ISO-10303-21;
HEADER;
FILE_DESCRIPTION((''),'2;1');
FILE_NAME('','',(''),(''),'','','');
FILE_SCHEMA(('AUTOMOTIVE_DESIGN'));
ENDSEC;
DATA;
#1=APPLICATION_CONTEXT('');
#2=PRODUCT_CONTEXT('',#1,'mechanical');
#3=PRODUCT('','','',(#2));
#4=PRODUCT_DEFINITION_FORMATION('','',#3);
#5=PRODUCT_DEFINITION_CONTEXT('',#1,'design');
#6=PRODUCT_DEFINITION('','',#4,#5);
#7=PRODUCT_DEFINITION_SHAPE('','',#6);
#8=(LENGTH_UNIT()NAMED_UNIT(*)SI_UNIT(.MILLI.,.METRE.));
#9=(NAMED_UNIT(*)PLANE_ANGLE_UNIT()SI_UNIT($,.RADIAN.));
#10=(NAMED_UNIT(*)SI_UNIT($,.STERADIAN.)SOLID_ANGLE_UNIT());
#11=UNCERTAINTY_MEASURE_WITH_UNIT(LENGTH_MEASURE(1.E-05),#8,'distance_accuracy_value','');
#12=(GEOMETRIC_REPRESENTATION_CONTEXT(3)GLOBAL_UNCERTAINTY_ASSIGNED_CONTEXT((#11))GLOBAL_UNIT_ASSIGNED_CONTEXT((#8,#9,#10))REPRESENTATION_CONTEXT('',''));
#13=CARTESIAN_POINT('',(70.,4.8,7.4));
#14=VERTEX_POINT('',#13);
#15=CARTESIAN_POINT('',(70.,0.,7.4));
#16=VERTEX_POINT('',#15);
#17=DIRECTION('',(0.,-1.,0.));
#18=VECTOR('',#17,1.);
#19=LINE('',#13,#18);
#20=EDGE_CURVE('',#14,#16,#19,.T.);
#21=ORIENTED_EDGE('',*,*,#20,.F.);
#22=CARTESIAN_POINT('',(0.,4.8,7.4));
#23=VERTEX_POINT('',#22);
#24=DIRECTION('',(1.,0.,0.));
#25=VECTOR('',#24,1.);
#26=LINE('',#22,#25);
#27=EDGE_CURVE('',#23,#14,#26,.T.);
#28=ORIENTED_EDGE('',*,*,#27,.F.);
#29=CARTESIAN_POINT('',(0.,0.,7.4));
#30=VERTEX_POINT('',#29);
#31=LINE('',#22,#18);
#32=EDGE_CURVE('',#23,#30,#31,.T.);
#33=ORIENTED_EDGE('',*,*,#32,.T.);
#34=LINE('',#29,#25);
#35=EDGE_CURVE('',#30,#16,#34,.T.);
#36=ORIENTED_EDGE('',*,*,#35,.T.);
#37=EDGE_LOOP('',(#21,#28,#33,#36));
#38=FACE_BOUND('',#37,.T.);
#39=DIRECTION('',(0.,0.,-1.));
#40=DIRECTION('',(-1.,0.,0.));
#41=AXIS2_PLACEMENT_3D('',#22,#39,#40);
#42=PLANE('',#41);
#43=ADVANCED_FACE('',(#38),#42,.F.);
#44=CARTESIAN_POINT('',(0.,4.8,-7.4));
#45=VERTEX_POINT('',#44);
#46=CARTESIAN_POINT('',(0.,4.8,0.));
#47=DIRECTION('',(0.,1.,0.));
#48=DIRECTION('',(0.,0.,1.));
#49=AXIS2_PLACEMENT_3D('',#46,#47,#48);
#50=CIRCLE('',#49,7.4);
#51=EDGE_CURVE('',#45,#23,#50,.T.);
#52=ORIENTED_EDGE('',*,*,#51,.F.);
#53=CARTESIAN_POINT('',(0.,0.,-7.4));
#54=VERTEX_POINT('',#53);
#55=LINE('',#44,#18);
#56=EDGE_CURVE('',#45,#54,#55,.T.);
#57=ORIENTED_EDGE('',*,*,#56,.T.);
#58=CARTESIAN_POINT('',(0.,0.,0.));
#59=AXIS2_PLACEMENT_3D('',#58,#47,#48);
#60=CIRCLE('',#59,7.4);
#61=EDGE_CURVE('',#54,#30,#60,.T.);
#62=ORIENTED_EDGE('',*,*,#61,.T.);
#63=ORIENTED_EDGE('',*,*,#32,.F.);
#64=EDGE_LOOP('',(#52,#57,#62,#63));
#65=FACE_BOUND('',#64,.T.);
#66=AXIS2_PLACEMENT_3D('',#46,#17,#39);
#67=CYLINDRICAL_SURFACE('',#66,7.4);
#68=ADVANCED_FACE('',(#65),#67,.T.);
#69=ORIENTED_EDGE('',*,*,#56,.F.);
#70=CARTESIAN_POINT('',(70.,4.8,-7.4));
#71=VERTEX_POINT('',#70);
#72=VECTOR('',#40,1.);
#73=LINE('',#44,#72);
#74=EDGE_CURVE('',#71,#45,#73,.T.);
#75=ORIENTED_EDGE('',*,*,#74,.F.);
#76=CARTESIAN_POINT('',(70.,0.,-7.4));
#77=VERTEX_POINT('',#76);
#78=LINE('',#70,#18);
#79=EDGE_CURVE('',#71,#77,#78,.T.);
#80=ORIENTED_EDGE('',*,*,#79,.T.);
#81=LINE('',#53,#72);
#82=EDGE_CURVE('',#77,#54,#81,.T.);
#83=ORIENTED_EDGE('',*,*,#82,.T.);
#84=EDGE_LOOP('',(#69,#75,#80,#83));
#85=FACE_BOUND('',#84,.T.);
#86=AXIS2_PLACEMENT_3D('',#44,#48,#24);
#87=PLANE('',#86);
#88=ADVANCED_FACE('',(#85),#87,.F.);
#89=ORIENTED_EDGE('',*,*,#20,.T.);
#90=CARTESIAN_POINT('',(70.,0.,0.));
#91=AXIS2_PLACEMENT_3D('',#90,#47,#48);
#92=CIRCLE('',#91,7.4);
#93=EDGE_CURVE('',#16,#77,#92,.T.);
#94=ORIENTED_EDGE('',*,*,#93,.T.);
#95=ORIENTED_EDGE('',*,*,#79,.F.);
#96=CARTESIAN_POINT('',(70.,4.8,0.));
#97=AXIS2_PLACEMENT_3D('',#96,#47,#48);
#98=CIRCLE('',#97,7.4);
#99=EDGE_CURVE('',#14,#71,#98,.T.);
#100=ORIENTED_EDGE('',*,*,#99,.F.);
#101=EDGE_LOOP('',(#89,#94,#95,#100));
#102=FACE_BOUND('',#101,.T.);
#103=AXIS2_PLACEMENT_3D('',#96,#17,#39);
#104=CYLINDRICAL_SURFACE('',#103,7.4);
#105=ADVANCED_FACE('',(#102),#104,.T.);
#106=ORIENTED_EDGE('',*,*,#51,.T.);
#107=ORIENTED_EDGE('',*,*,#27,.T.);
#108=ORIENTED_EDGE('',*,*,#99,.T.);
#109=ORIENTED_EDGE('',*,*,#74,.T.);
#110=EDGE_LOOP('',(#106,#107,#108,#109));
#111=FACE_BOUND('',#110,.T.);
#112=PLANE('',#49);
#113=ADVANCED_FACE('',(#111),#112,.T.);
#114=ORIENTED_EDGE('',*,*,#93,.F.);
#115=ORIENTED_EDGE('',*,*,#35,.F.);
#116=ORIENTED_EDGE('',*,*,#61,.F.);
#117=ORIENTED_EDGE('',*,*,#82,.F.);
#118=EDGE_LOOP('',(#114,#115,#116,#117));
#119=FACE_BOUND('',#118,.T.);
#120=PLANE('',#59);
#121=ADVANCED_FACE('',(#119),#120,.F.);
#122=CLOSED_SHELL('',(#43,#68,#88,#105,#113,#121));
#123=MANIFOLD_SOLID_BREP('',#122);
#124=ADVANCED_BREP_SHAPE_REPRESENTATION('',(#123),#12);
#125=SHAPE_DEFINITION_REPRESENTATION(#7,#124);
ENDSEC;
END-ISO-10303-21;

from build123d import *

# Parameters (mm, degrees)
BOSS_EXTRUDE1_DEPTH = 4.8


with BuildPart() as part:
    # Sketch1 → Boss-Extrude1 (new body)
    with BuildSketch(Plane(origin=(0, 0, 0), x_dir=(1, 0, 0), z_dir=(0, 1, 0))):
        with BuildLine():
            Line((0, 7.4), (70, 7.4))
            ThreePointArc((70, 7.4), (77.4, 0), (70, -7.4))
            Line((70, -7.4), (0, -7.4))
            ThreePointArc((0, -7.4), (-7.4, 0), (0, 7.4))
        make_face()
    extrude(amount=BOSS_EXTRUDE1_DEPTH)


solid = part.part
